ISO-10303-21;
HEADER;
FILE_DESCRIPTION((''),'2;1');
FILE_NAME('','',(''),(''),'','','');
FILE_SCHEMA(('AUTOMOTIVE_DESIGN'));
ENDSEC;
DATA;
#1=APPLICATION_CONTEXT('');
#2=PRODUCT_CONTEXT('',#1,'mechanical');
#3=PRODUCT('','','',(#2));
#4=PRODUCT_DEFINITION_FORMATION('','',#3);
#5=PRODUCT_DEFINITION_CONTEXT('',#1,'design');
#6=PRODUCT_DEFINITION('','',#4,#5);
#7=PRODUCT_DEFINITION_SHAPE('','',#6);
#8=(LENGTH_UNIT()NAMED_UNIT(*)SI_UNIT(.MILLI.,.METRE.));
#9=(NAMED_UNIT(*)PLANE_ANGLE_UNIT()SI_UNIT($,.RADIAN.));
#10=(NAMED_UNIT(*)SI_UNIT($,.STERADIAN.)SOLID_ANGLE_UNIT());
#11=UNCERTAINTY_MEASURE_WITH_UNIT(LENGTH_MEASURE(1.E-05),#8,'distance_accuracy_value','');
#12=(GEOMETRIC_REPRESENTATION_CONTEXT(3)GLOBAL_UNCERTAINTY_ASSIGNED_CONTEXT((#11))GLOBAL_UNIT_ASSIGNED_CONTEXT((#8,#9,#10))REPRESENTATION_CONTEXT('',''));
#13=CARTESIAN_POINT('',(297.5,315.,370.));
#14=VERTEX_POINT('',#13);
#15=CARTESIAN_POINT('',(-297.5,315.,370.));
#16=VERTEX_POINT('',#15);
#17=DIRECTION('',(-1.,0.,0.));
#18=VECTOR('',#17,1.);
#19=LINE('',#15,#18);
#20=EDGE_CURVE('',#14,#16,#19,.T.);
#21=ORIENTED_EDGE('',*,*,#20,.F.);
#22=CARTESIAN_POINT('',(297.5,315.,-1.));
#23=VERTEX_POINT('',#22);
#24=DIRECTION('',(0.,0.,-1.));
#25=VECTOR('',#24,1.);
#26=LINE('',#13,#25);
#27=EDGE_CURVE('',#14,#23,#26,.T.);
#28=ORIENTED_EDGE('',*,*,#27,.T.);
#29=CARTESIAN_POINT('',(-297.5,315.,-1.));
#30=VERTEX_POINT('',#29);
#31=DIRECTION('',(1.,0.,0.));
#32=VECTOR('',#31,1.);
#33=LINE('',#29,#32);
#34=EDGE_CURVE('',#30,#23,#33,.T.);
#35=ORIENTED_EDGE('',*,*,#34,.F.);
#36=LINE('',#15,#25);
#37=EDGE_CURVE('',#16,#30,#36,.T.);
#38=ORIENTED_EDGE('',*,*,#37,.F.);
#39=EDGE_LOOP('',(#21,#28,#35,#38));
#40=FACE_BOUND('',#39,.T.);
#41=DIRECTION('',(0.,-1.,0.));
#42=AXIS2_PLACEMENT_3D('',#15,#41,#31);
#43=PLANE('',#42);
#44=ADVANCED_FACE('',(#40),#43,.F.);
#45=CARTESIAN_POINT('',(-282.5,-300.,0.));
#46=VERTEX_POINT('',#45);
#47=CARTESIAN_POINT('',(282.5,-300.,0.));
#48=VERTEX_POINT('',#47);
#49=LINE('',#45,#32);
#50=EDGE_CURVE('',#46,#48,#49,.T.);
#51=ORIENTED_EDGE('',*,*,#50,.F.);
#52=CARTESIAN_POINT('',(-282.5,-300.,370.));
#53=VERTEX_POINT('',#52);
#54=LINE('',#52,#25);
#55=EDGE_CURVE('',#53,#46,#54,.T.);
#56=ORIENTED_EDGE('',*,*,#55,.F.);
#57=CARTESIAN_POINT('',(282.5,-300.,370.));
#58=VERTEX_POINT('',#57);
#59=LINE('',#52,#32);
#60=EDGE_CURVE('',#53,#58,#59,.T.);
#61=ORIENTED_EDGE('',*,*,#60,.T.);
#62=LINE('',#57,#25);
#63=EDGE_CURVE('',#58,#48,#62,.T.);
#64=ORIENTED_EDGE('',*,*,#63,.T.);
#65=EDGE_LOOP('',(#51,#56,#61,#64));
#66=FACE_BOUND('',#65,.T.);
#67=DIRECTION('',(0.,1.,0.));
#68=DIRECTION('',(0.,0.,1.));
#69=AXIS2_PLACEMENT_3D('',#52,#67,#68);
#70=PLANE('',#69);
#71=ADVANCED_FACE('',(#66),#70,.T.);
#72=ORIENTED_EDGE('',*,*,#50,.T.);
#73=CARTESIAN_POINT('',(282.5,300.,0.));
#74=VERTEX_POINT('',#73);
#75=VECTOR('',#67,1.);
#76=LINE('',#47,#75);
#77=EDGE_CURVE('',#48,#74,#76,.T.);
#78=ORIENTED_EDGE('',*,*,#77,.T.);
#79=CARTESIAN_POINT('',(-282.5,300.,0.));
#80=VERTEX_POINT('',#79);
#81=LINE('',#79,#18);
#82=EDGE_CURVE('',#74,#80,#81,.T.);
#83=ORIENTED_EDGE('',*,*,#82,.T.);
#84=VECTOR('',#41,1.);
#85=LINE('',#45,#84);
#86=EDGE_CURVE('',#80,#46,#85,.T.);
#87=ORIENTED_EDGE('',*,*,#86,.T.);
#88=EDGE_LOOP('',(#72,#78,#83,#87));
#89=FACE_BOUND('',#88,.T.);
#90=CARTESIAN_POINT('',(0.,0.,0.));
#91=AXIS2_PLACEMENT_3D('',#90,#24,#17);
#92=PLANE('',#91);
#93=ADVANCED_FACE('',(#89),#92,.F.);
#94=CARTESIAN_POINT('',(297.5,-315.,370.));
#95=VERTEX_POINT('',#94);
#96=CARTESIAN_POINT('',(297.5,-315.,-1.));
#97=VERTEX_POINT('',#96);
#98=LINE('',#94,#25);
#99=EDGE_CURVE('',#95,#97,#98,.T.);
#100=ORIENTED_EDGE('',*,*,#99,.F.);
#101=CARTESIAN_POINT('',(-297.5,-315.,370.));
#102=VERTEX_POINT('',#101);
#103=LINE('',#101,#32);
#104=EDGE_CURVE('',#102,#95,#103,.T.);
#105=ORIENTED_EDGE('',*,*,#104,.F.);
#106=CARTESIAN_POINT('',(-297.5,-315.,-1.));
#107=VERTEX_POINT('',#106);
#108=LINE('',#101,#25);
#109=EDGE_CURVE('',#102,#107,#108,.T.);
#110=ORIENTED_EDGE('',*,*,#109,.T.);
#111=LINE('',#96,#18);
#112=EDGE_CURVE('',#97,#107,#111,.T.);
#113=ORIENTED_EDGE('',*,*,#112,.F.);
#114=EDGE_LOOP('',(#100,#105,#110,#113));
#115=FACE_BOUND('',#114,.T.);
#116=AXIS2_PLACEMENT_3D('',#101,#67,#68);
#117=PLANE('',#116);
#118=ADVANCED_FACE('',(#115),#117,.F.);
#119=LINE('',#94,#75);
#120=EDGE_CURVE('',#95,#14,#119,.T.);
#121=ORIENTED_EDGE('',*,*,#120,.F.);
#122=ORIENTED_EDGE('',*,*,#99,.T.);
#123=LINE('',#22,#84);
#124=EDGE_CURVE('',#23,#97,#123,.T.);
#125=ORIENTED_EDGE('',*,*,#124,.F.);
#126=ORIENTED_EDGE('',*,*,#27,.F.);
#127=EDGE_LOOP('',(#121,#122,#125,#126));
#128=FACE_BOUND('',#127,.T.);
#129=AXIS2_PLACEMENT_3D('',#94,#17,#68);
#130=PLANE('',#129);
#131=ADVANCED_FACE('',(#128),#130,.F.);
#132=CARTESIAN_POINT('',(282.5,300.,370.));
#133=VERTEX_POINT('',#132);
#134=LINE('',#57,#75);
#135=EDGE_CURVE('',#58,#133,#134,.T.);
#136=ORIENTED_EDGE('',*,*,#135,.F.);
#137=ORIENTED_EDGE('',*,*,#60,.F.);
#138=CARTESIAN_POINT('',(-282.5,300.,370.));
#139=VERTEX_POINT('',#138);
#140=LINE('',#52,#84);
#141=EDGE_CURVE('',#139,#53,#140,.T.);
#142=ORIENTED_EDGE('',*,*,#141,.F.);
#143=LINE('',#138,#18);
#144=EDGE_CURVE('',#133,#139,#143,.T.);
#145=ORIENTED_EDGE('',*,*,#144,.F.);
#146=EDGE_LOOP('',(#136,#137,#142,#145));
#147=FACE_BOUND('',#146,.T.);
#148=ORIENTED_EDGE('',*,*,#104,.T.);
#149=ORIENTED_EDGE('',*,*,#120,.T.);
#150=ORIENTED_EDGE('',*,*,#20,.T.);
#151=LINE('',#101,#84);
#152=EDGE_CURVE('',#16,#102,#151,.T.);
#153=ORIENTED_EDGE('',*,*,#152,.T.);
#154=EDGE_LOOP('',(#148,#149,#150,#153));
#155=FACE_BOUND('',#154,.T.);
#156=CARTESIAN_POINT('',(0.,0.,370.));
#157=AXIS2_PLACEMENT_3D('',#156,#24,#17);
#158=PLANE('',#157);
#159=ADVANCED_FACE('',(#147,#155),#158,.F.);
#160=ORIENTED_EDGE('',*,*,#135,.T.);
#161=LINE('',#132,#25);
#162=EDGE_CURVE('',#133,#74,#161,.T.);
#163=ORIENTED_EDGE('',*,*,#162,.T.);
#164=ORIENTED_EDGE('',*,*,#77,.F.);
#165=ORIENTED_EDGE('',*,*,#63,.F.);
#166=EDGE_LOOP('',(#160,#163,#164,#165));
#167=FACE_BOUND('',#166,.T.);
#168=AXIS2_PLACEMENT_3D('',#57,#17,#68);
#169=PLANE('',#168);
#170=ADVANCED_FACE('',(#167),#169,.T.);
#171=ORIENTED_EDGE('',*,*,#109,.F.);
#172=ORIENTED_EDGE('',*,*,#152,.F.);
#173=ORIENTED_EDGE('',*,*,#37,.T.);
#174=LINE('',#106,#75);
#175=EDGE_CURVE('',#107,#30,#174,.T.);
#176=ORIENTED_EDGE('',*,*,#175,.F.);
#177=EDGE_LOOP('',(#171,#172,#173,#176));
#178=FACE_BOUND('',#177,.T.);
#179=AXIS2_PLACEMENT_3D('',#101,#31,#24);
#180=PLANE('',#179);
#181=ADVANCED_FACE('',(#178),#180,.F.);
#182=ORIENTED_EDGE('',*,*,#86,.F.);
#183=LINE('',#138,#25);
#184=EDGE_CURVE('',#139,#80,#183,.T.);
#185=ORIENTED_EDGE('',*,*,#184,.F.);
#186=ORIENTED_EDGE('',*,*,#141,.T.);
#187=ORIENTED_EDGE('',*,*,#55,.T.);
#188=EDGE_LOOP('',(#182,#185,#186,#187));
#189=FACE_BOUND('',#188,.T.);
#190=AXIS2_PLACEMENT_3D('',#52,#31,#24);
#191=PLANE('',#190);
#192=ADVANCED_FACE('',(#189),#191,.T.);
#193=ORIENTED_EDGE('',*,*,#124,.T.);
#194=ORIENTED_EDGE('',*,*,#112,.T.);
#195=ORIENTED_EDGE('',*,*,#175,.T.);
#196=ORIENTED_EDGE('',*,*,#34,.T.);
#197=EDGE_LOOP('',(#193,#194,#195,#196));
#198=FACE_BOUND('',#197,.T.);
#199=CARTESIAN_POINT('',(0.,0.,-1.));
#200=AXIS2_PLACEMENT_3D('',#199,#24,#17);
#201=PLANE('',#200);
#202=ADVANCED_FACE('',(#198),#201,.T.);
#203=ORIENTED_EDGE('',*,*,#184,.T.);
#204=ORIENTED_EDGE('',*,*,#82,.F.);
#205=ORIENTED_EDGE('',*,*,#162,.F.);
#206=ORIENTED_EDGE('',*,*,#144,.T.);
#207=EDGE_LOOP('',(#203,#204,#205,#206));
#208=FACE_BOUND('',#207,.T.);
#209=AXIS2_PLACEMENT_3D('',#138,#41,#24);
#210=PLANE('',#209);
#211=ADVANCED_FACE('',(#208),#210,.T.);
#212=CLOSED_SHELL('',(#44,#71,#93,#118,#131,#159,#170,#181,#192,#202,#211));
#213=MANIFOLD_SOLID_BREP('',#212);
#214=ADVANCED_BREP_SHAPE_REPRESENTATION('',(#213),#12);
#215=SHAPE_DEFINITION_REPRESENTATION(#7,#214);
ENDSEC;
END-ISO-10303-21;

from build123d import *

# Parameters (mm, degrees)
SKETCH1_W           = 595
SKETCH1_H           = 630
SKETCH1_W_2         = 565
SKETCH1_H_2         = 600
BOSS_EXTRUDE3_DEPTH = 370
SKETCH3_W           = 595
SKETCH3_H           = 630
BOSS_EXTRUDE4_DEPTH = 1


with BuildPart() as part:
    # Sketch1 → Boss-Extrude3 (new body)
    with BuildSketch(Plane.XY):
        Rectangle(SKETCH1_W, SKETCH1_H)
        Rectangle(SKETCH1_W_2, SKETCH1_H_2, mode=Mode.SUBTRACT)
    extrude(amount=BOSS_EXTRUDE3_DEPTH)

    # Sketch3 → Boss-Extrude4 (add)
    with BuildSketch(Plane(origin=(0, 0, 0), x_dir=(-1, 0, 0), z_dir=(0, 0, -1))):
        Rectangle(SKETCH3_W, SKETCH3_H)
    extrude(amount=BOSS_EXTRUDE4_DEPTH)


solid = part.part
